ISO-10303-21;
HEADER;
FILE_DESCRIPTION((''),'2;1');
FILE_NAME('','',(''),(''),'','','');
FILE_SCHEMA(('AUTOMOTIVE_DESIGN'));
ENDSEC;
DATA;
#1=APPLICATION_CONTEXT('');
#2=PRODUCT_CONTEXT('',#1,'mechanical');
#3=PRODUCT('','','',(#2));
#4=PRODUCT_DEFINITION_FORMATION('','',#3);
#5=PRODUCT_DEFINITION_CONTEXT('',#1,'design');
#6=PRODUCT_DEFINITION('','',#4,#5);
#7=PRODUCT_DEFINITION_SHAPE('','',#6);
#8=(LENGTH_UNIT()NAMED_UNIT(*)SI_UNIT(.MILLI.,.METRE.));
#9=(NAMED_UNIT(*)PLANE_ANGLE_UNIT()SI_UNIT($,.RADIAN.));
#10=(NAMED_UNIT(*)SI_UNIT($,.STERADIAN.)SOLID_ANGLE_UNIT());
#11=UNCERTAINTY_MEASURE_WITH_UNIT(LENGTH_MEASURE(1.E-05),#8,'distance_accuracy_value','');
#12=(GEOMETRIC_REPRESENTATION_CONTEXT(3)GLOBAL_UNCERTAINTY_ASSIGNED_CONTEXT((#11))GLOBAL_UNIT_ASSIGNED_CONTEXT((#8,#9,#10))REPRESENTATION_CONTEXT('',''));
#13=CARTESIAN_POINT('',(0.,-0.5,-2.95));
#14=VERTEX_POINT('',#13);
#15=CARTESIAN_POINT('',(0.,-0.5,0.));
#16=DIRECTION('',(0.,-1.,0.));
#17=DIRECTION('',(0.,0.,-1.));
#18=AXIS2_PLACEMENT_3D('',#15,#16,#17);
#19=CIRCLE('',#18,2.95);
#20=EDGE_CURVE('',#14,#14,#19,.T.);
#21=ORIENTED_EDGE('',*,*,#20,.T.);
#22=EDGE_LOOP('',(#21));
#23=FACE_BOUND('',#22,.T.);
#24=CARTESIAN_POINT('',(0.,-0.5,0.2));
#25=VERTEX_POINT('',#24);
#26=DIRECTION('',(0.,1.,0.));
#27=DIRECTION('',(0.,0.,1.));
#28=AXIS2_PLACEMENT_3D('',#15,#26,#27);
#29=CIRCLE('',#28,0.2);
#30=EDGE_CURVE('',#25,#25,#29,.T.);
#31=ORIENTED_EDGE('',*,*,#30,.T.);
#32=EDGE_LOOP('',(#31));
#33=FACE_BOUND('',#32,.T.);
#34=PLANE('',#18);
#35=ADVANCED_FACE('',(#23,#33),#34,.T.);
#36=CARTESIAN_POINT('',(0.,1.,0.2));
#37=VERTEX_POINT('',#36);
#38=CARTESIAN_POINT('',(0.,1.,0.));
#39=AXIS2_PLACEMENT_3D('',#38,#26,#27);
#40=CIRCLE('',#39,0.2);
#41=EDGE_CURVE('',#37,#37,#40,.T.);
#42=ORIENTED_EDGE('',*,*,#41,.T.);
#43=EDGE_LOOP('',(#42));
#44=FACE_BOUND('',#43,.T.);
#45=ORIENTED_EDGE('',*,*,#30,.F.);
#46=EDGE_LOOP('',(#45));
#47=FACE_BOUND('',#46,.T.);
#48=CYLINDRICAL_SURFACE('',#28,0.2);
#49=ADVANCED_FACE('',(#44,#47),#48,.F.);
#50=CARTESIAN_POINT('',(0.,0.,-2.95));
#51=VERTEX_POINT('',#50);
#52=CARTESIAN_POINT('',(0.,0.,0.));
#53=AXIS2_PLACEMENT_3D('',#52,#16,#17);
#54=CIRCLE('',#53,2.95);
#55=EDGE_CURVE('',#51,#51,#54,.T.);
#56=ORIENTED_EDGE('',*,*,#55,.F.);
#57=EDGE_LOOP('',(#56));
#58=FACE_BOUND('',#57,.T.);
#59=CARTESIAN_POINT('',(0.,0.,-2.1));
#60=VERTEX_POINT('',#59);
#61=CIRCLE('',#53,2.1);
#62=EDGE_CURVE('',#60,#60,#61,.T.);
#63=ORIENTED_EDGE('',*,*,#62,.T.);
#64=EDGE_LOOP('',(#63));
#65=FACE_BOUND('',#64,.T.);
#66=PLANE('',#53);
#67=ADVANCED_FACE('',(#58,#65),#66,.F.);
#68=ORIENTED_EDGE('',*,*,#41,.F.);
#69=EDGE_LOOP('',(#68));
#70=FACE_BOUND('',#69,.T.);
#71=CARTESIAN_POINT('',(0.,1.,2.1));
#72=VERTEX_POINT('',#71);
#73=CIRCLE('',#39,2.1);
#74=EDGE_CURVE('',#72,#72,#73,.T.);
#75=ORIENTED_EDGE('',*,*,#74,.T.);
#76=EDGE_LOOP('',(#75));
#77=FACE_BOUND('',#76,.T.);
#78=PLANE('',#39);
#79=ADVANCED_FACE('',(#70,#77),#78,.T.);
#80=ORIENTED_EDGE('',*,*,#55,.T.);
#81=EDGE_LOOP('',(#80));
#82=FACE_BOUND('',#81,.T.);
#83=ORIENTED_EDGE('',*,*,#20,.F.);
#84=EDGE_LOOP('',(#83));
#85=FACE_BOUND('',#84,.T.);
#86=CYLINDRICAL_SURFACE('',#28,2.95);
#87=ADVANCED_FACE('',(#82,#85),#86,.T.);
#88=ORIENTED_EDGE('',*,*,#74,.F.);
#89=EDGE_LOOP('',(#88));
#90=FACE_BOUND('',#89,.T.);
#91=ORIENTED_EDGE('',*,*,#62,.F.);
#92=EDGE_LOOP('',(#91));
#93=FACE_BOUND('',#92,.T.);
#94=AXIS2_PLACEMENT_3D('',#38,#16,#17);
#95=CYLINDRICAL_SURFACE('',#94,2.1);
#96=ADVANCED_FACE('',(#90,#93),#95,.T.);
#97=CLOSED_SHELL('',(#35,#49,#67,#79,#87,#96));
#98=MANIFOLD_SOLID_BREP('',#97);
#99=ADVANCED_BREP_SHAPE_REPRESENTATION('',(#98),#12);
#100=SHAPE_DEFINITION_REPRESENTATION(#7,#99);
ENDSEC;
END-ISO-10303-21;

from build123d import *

# Parameters (mm, degrees)
SKETCH1_R           = 2.1
BOSS_EXTRUDE1_DEPTH = 1
SKETCH2_R           = 2.95
BOSS_EXTRUDE2_DEPTH = 0.5
SKETCH3_R           = 0.2
CUT_EXTRUDE1_DEPTH  = 5.43339599


with BuildPart() as part:
    # Sketch1 → Boss-Extrude1 (new body)
    with BuildSketch(Plane(origin=(0, 0, 0), x_dir=(1, 0, 0), z_dir=(0, 1, 0))):
        with Locations(Location((0, 0, 0), (0, 0, 270))):
            Circle(SKETCH1_R)
    extrude(amount=BOSS_EXTRUDE1_DEPTH)

    # Sketch2 → Boss-Extrude2 (add)
    with BuildSketch(Plane.XZ):
        with Locations(Location((0, 0, 0), (0, 0, 270))):
            Circle(SKETCH2_R)
    extrude(amount=BOSS_EXTRUDE2_DEPTH)

    # Sketch3 → Cut-Extrude1 (cut, through all)
    with BuildSketch(Plane(origin=(0, 1, 0), x_dir=(1, 0, 0), z_dir=(0, 1, 0))):
        with Locations(Location((0, 0, 0), (0, 0, 270))):
            Circle(SKETCH3_R)
    extrude(amount=-CUT_EXTRUDE1_DEPTH, mode=Mode.SUBTRACT)


solid = part.part
